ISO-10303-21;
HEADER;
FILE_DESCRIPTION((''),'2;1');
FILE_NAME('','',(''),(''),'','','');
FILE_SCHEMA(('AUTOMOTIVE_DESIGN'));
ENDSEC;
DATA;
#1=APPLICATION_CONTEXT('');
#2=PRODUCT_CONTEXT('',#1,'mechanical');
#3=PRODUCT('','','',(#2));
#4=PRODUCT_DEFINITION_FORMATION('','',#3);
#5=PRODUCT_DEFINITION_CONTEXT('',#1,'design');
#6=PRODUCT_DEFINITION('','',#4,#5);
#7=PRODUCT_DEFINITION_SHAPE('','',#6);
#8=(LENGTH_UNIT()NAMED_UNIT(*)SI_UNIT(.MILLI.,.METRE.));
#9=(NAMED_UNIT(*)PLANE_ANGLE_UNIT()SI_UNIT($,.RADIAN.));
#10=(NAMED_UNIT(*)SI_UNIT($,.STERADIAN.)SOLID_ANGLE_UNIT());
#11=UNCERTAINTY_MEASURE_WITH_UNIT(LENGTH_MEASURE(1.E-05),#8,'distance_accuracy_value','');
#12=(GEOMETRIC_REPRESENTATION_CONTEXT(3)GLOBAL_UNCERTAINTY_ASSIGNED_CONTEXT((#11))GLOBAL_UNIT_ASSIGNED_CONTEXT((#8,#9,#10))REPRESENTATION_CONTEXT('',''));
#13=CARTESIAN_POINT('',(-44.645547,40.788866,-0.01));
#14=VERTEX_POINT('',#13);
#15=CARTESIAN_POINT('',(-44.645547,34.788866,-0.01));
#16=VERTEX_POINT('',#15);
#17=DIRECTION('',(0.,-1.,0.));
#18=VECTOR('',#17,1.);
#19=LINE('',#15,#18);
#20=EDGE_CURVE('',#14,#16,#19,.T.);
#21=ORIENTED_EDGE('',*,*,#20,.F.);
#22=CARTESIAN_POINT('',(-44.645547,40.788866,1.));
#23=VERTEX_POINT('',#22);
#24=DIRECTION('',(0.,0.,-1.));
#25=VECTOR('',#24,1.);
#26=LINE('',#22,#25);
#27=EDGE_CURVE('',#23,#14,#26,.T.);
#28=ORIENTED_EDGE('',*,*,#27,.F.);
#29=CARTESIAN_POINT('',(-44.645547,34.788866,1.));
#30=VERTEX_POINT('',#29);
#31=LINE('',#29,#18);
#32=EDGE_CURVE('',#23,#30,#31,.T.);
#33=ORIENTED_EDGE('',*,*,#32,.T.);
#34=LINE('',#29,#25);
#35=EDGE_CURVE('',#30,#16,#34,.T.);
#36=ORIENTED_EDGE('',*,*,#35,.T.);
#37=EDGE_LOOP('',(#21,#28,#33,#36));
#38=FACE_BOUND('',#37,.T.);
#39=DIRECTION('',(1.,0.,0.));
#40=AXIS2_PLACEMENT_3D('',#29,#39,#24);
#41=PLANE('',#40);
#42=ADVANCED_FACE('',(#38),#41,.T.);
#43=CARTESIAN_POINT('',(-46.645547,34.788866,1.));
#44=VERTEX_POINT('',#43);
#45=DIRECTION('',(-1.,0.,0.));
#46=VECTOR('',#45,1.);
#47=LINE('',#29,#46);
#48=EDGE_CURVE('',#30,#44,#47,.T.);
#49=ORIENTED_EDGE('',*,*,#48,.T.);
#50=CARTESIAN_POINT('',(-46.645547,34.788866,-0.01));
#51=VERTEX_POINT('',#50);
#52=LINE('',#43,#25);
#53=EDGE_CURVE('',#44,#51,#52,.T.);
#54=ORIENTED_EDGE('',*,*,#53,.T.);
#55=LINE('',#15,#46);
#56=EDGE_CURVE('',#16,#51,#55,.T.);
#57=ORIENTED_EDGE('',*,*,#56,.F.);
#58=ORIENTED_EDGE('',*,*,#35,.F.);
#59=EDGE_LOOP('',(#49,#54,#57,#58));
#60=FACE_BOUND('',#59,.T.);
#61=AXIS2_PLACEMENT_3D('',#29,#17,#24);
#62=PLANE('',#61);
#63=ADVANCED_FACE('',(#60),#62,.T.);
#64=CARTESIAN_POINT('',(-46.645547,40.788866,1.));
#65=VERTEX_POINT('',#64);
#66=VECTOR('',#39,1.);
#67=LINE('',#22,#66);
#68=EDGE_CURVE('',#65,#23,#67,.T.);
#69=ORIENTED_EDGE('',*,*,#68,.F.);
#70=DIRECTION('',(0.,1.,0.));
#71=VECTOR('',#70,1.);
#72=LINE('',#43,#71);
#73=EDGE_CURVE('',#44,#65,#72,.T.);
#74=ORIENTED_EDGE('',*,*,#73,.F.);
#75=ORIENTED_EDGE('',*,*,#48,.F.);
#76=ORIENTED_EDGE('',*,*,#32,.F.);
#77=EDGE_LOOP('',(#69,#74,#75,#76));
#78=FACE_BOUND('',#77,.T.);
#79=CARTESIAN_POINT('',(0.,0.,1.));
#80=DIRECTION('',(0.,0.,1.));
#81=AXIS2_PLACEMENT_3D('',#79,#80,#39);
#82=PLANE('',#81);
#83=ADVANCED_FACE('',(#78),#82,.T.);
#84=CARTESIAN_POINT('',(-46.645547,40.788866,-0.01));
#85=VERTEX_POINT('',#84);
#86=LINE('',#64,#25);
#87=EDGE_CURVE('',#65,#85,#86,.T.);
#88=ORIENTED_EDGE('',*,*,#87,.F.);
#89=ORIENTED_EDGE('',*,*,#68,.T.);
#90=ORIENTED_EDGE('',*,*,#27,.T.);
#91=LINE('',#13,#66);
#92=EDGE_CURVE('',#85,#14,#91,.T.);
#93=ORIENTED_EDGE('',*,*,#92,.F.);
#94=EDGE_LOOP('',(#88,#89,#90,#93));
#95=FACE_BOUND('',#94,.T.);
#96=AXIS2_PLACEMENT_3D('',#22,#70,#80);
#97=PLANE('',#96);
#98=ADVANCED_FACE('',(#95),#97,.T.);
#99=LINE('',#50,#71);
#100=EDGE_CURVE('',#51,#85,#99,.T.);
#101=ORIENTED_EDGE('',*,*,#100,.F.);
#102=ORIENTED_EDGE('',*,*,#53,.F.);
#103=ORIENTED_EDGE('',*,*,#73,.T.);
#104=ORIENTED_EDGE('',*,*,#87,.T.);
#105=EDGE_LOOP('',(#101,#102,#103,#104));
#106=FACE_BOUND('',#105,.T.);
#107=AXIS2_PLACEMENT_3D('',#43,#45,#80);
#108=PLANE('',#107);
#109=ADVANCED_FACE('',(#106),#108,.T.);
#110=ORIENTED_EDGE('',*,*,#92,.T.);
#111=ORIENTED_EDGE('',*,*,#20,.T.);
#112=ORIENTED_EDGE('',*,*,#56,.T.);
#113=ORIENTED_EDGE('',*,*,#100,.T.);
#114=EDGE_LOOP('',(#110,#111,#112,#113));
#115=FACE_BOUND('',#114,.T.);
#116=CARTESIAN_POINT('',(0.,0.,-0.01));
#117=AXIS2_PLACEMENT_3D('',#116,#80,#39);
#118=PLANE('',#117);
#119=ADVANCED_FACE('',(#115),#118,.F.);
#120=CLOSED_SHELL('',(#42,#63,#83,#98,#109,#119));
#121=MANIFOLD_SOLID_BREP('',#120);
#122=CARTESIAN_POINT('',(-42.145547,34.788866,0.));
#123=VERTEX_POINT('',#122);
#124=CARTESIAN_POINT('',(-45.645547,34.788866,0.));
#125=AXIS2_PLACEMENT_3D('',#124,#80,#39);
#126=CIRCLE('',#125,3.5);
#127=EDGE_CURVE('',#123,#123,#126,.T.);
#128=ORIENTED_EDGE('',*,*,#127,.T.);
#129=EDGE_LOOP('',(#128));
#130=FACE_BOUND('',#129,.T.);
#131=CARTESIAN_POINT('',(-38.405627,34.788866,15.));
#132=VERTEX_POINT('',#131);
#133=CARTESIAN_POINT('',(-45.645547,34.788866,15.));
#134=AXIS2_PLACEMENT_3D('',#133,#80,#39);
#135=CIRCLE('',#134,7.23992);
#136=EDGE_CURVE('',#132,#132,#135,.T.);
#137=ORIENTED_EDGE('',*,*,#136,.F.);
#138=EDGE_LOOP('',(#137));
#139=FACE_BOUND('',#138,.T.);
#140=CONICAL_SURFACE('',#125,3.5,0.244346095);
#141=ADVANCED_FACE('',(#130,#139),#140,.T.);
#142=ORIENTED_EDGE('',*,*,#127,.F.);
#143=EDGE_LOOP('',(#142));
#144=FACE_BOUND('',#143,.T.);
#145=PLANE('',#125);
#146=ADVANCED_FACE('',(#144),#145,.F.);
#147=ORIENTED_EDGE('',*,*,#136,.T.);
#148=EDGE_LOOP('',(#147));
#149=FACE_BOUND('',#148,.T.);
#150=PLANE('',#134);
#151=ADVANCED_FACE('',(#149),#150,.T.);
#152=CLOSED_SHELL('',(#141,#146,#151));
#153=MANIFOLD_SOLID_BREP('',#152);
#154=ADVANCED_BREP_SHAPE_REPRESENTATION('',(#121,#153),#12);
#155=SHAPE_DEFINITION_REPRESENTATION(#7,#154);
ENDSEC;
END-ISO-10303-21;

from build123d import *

# Parameters (mm, degrees)
ESQUISSE1_R             = 3.5
BOSS_EXTRU_1_DEPTH      = 15
BOSS_EXTRU_1_DRAFT      = -14
BOSS_EXTRU_2_DEPTH      = 0.01
BOSS_EXTRU_2_DEPTH_BACK = 1
ESQUISSE2_W             = 2
ESQUISSE2_H             = 6


with BuildPart() as part:
    # Esquisse1 → Boss.-Extru.1 (with draft: the straight prism first)
    with BuildSketch(Plane.XY):
        with Locations((-45.645547355, 34.788865837)):
            Circle(ESQUISSE1_R)
    extrude(amount=BOSS_EXTRU_1_DEPTH)
    # Boss.-Extru.1: the draft: its side faces are tilted about the plane it starts from
    boss_extru_1_sides = [part.faces().sort_by_distance(p)[0] for p in [
        (-49.145547355, 34.788865837, 7.5),
    ]]
    draft(boss_extru_1_sides, Plane.XY, BOSS_EXTRU_1_DRAFT)


with BuildPart() as body_2:
    # Esquisse2 → Boss.-Extru.2 (new, two sides: drawn at the far end of the back side and taken through both)
    with BuildSketch(Plane(origin=(0, 0, 0), x_dir=(-1, 0, 0), z_dir=(0, 0, -1)).offset(-BOSS_EXTRU_2_DEPTH_BACK)):
        with Locations((45.645547355, 37.788865837)):
            Rectangle(ESQUISSE2_W, ESQUISSE2_H)
    extrude(amount=BOSS_EXTRU_2_DEPTH + BOSS_EXTRU_2_DEPTH_BACK)


solid = Compound([part.part, body_2.part])
